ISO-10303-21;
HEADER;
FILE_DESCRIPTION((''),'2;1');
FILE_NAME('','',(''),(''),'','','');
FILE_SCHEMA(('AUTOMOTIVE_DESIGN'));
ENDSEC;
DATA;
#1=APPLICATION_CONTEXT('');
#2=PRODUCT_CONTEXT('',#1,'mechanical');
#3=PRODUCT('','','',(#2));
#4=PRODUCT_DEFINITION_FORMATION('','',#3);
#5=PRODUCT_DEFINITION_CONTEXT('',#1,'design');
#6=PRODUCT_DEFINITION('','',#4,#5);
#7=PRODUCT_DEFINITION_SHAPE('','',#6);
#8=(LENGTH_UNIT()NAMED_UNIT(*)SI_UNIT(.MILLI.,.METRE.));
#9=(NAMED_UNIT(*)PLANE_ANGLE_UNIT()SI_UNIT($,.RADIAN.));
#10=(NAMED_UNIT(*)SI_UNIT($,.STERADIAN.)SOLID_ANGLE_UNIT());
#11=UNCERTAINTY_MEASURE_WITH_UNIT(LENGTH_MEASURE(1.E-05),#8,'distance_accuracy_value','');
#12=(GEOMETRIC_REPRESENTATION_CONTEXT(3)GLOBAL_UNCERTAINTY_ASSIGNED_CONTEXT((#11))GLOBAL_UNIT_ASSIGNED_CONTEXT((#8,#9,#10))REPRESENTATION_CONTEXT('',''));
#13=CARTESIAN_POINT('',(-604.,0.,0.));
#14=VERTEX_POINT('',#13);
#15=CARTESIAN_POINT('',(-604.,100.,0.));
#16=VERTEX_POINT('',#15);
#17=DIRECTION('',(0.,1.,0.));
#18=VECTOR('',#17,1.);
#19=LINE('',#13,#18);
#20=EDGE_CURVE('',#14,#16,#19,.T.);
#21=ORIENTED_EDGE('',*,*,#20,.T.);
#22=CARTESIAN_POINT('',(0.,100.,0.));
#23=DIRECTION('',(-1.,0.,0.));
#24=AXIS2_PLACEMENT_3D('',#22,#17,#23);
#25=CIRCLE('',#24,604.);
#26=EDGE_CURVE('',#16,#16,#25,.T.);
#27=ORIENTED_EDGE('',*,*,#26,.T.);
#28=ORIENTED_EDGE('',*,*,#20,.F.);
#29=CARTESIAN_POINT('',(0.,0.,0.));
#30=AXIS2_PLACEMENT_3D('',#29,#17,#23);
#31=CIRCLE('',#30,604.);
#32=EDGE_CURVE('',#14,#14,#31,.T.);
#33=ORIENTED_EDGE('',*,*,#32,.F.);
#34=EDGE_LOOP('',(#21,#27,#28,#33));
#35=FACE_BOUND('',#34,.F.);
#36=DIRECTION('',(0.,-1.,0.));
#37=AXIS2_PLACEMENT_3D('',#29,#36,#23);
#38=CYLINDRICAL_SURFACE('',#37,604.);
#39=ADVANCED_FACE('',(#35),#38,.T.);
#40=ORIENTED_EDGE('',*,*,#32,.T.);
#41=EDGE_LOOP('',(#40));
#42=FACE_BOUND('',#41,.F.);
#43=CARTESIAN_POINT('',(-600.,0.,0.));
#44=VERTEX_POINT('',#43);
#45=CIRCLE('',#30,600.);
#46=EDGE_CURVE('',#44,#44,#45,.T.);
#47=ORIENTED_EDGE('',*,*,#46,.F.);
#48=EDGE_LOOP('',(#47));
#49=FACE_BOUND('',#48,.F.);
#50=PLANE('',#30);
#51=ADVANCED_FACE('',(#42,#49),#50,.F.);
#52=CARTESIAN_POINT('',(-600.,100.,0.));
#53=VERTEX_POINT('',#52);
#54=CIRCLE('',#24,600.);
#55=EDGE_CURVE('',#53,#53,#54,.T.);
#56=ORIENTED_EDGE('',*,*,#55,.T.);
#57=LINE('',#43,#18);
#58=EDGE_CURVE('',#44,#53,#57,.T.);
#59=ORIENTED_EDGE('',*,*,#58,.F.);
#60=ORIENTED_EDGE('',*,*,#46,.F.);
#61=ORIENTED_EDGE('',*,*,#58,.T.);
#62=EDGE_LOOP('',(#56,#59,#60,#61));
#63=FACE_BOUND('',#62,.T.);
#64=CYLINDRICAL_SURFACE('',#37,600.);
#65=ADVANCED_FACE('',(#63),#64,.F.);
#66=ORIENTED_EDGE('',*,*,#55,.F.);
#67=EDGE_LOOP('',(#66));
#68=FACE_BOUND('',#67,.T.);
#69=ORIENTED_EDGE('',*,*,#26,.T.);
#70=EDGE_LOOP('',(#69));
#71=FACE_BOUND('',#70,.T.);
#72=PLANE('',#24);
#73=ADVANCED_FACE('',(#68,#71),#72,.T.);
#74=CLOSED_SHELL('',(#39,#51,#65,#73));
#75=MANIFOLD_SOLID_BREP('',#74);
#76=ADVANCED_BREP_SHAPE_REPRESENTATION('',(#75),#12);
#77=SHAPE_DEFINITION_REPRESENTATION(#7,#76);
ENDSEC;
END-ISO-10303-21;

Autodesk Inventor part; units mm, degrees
ref_plane "YZ Plane" through (0, 0, 0) normal (1, 0, 0) x (0, 1, 0)
ref_plane "XZ Plane" through (0, 0, 0) normal (0, 1, 0) x (-1, 0, 0)
ref_plane "XY Plane" through (0, 0, 0) normal (0, 0, 1) x (1, 0, 0)
sketch "Sketch1" plane through (0, 0, 0) normal (0, 1, 0) x (-1, 0, 0)
  circle A0 centre (0, 0) radius 600
  circle A1 centre (0, 0) radius 604
  dimension "d0" = 1200
  dimension "d1" = 1208
extrude "Extrusion1" add sketch "Sketch1" along normal blind 100
properties part number "Edge Band - Disk G" material "Wood (Birch)"
